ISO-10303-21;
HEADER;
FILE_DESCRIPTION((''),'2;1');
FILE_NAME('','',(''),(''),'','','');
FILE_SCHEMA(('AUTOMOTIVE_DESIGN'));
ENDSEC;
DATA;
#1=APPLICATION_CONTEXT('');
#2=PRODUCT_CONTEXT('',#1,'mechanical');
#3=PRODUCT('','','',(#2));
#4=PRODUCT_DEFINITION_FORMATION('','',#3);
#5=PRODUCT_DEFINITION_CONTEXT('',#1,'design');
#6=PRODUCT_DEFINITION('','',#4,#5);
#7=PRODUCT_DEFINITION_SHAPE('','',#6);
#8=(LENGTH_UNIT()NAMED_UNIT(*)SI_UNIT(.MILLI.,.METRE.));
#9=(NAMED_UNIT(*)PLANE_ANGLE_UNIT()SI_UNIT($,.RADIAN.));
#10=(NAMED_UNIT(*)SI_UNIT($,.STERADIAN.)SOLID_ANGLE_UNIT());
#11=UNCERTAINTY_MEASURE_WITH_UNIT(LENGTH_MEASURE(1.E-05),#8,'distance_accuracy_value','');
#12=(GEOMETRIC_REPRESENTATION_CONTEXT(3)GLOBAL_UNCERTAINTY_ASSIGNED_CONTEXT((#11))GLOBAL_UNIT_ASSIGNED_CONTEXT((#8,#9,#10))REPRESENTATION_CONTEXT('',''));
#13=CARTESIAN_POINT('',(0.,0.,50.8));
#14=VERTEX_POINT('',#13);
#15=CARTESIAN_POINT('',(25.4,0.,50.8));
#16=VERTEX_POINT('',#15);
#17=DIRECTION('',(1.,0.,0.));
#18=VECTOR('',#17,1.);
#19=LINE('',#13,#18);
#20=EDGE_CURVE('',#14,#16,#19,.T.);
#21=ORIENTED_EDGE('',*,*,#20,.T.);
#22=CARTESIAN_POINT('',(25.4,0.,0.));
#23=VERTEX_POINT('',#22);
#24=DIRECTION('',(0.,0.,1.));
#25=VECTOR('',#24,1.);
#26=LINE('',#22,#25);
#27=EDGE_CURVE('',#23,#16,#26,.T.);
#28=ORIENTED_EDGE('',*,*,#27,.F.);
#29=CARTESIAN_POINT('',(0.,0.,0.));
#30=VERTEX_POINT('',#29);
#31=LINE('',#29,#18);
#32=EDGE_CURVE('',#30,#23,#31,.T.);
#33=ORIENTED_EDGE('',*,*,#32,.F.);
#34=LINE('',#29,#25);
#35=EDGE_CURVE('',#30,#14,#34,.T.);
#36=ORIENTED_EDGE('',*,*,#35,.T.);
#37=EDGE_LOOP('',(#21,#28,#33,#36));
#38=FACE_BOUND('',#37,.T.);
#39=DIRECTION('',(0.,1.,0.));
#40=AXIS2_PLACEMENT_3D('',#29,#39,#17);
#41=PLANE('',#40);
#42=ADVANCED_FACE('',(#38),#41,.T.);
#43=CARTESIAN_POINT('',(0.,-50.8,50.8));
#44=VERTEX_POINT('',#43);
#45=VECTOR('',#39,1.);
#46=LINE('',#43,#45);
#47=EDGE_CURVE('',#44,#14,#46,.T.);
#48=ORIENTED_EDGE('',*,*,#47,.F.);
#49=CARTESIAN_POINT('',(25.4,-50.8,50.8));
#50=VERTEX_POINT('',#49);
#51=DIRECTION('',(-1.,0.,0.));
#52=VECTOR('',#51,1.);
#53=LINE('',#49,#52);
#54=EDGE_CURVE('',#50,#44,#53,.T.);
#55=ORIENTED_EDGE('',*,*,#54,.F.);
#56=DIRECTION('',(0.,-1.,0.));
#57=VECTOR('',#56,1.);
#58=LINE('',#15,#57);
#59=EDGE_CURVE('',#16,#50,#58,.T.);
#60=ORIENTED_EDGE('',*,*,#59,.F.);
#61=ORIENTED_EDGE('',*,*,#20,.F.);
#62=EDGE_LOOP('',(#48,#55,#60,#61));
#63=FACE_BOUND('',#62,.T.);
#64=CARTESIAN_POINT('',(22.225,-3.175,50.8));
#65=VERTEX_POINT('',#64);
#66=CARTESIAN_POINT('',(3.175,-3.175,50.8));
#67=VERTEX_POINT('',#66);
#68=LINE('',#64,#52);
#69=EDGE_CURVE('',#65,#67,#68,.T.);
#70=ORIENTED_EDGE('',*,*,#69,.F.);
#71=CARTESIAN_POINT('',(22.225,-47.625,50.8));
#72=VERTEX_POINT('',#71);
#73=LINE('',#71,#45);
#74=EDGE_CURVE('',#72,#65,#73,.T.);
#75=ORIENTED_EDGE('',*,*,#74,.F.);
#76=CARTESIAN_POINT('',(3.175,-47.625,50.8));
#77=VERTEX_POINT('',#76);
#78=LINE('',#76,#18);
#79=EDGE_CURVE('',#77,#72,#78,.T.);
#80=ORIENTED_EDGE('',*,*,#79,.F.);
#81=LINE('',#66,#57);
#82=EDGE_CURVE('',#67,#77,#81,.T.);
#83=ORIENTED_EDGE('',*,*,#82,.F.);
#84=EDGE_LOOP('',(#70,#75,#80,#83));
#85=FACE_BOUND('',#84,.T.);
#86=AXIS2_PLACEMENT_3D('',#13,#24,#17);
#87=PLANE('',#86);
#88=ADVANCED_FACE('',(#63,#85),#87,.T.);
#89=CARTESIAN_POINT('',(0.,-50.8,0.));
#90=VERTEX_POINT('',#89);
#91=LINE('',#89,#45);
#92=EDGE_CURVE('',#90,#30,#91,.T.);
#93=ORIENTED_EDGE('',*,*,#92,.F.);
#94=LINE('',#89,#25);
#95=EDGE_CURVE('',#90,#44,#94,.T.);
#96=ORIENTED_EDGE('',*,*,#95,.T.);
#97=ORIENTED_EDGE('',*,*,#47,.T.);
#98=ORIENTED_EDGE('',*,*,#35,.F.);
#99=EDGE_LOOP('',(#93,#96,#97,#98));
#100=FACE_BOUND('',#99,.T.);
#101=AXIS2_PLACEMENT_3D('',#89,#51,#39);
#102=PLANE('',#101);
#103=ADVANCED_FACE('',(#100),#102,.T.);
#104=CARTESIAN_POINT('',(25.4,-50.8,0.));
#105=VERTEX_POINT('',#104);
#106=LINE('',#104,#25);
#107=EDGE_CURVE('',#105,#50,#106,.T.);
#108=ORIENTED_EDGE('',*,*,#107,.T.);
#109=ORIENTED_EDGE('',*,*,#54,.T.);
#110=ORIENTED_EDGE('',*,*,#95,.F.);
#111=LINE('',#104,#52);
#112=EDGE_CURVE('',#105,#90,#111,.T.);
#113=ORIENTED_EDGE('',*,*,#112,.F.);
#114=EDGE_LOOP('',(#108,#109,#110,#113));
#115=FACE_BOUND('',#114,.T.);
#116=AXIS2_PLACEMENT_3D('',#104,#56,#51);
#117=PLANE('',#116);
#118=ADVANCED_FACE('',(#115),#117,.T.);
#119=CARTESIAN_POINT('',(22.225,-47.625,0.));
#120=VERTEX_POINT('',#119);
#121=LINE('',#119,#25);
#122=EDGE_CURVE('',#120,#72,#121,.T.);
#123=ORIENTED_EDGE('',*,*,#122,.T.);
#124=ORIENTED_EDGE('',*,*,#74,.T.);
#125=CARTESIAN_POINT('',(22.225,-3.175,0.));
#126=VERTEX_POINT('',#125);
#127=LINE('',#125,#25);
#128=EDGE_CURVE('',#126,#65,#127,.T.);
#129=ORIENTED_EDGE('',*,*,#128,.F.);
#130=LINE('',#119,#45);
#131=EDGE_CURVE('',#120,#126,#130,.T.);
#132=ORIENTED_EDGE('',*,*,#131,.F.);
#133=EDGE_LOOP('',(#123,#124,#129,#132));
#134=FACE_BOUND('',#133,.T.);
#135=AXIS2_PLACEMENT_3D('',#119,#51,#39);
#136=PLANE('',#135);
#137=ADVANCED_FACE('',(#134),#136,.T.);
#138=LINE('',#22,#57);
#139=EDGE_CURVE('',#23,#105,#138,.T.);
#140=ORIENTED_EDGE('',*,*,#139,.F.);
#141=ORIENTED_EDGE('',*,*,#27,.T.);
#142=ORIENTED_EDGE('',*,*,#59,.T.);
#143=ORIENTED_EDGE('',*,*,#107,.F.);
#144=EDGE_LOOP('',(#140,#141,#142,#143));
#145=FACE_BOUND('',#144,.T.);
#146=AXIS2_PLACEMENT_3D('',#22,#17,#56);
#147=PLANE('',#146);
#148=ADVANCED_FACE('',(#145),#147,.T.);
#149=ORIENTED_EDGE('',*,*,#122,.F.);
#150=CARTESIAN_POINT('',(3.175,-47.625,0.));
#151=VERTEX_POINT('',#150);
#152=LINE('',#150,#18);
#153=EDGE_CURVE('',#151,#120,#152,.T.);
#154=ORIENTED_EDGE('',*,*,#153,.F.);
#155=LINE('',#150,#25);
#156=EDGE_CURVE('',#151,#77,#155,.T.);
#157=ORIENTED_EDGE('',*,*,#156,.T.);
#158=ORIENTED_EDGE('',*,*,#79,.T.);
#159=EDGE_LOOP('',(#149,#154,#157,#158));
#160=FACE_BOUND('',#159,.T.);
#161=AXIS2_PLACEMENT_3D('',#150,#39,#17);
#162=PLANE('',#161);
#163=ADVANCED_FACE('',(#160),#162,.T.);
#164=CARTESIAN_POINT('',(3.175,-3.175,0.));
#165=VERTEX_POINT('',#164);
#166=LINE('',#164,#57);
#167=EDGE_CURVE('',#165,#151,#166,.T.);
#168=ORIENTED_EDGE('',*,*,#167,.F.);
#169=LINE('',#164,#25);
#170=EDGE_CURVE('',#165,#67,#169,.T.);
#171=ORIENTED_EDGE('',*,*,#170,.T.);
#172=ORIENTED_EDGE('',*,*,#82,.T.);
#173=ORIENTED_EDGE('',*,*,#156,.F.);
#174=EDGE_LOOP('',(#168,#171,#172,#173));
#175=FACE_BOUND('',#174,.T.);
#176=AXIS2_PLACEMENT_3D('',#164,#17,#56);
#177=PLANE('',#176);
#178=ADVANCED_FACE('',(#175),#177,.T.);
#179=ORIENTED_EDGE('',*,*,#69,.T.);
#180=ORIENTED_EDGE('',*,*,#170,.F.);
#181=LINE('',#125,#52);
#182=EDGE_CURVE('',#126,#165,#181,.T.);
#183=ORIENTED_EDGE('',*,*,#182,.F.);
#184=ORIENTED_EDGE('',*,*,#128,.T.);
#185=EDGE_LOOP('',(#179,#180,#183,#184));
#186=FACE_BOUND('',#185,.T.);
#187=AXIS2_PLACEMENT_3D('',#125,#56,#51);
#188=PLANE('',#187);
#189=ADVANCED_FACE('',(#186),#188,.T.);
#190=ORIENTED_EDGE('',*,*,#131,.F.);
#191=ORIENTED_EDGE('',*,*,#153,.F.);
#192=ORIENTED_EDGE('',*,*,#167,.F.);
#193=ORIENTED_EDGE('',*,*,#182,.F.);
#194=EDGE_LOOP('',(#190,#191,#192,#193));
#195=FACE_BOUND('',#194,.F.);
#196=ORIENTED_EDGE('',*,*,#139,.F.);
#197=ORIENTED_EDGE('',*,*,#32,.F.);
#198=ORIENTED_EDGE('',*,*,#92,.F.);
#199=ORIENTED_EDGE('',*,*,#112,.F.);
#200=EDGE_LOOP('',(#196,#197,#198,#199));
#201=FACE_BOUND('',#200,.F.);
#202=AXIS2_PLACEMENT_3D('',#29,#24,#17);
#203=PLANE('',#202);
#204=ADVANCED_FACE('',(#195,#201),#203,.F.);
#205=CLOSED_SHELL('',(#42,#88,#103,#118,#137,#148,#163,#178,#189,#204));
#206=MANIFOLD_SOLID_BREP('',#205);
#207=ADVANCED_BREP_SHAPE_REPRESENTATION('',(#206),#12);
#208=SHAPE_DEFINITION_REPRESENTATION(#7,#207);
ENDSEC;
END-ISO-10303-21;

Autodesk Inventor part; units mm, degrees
ref_plane "YZ Plane" through (0, 0, 0) normal (1, 0, 0) x (0, 1, 0)
ref_plane "XZ Plane" through (0, 0, 0) normal (0, 1, 0) x (-1, 0, 0)
ref_plane "XY Plane" through (0, 0, 0) normal (0, 0, 1) x (1, 0, 0)
sketch "Sketch1" plane through (0, 0, 0) normal (0, 0, 1) x (1, 0, 0)
  line L0 (0, 0) -> (25.4, 0)
  line L1 (25.4, 0) -> (25.4, -50.8)
  line L2 (25.4, -50.8) -> (0, -50.8)
  line L3 (0, -50.8) -> (0, 0)
  line L4 (22.225, -3.175) -> (3.175, -3.175)
  line L5 (3.175, -3.175) -> (3.175, -47.625)
  line L6 (3.175, -47.625) -> (22.225, -47.625)
  line L7 (22.225, -47.625) -> (22.225, -3.175)
  dimension "d0" = 25.4
  dimension "d1" = 50.8
  dimension "d2" = 3.175
  dimension "d3" = 3.175
  dimension "d4" = 3.175
  dimension "d5" = 3.175
extrude "Extrusion1" add sketch "Sketch1" along normal blind 50.8
properties part number "supportblock1" material "Aluminum 6061"
